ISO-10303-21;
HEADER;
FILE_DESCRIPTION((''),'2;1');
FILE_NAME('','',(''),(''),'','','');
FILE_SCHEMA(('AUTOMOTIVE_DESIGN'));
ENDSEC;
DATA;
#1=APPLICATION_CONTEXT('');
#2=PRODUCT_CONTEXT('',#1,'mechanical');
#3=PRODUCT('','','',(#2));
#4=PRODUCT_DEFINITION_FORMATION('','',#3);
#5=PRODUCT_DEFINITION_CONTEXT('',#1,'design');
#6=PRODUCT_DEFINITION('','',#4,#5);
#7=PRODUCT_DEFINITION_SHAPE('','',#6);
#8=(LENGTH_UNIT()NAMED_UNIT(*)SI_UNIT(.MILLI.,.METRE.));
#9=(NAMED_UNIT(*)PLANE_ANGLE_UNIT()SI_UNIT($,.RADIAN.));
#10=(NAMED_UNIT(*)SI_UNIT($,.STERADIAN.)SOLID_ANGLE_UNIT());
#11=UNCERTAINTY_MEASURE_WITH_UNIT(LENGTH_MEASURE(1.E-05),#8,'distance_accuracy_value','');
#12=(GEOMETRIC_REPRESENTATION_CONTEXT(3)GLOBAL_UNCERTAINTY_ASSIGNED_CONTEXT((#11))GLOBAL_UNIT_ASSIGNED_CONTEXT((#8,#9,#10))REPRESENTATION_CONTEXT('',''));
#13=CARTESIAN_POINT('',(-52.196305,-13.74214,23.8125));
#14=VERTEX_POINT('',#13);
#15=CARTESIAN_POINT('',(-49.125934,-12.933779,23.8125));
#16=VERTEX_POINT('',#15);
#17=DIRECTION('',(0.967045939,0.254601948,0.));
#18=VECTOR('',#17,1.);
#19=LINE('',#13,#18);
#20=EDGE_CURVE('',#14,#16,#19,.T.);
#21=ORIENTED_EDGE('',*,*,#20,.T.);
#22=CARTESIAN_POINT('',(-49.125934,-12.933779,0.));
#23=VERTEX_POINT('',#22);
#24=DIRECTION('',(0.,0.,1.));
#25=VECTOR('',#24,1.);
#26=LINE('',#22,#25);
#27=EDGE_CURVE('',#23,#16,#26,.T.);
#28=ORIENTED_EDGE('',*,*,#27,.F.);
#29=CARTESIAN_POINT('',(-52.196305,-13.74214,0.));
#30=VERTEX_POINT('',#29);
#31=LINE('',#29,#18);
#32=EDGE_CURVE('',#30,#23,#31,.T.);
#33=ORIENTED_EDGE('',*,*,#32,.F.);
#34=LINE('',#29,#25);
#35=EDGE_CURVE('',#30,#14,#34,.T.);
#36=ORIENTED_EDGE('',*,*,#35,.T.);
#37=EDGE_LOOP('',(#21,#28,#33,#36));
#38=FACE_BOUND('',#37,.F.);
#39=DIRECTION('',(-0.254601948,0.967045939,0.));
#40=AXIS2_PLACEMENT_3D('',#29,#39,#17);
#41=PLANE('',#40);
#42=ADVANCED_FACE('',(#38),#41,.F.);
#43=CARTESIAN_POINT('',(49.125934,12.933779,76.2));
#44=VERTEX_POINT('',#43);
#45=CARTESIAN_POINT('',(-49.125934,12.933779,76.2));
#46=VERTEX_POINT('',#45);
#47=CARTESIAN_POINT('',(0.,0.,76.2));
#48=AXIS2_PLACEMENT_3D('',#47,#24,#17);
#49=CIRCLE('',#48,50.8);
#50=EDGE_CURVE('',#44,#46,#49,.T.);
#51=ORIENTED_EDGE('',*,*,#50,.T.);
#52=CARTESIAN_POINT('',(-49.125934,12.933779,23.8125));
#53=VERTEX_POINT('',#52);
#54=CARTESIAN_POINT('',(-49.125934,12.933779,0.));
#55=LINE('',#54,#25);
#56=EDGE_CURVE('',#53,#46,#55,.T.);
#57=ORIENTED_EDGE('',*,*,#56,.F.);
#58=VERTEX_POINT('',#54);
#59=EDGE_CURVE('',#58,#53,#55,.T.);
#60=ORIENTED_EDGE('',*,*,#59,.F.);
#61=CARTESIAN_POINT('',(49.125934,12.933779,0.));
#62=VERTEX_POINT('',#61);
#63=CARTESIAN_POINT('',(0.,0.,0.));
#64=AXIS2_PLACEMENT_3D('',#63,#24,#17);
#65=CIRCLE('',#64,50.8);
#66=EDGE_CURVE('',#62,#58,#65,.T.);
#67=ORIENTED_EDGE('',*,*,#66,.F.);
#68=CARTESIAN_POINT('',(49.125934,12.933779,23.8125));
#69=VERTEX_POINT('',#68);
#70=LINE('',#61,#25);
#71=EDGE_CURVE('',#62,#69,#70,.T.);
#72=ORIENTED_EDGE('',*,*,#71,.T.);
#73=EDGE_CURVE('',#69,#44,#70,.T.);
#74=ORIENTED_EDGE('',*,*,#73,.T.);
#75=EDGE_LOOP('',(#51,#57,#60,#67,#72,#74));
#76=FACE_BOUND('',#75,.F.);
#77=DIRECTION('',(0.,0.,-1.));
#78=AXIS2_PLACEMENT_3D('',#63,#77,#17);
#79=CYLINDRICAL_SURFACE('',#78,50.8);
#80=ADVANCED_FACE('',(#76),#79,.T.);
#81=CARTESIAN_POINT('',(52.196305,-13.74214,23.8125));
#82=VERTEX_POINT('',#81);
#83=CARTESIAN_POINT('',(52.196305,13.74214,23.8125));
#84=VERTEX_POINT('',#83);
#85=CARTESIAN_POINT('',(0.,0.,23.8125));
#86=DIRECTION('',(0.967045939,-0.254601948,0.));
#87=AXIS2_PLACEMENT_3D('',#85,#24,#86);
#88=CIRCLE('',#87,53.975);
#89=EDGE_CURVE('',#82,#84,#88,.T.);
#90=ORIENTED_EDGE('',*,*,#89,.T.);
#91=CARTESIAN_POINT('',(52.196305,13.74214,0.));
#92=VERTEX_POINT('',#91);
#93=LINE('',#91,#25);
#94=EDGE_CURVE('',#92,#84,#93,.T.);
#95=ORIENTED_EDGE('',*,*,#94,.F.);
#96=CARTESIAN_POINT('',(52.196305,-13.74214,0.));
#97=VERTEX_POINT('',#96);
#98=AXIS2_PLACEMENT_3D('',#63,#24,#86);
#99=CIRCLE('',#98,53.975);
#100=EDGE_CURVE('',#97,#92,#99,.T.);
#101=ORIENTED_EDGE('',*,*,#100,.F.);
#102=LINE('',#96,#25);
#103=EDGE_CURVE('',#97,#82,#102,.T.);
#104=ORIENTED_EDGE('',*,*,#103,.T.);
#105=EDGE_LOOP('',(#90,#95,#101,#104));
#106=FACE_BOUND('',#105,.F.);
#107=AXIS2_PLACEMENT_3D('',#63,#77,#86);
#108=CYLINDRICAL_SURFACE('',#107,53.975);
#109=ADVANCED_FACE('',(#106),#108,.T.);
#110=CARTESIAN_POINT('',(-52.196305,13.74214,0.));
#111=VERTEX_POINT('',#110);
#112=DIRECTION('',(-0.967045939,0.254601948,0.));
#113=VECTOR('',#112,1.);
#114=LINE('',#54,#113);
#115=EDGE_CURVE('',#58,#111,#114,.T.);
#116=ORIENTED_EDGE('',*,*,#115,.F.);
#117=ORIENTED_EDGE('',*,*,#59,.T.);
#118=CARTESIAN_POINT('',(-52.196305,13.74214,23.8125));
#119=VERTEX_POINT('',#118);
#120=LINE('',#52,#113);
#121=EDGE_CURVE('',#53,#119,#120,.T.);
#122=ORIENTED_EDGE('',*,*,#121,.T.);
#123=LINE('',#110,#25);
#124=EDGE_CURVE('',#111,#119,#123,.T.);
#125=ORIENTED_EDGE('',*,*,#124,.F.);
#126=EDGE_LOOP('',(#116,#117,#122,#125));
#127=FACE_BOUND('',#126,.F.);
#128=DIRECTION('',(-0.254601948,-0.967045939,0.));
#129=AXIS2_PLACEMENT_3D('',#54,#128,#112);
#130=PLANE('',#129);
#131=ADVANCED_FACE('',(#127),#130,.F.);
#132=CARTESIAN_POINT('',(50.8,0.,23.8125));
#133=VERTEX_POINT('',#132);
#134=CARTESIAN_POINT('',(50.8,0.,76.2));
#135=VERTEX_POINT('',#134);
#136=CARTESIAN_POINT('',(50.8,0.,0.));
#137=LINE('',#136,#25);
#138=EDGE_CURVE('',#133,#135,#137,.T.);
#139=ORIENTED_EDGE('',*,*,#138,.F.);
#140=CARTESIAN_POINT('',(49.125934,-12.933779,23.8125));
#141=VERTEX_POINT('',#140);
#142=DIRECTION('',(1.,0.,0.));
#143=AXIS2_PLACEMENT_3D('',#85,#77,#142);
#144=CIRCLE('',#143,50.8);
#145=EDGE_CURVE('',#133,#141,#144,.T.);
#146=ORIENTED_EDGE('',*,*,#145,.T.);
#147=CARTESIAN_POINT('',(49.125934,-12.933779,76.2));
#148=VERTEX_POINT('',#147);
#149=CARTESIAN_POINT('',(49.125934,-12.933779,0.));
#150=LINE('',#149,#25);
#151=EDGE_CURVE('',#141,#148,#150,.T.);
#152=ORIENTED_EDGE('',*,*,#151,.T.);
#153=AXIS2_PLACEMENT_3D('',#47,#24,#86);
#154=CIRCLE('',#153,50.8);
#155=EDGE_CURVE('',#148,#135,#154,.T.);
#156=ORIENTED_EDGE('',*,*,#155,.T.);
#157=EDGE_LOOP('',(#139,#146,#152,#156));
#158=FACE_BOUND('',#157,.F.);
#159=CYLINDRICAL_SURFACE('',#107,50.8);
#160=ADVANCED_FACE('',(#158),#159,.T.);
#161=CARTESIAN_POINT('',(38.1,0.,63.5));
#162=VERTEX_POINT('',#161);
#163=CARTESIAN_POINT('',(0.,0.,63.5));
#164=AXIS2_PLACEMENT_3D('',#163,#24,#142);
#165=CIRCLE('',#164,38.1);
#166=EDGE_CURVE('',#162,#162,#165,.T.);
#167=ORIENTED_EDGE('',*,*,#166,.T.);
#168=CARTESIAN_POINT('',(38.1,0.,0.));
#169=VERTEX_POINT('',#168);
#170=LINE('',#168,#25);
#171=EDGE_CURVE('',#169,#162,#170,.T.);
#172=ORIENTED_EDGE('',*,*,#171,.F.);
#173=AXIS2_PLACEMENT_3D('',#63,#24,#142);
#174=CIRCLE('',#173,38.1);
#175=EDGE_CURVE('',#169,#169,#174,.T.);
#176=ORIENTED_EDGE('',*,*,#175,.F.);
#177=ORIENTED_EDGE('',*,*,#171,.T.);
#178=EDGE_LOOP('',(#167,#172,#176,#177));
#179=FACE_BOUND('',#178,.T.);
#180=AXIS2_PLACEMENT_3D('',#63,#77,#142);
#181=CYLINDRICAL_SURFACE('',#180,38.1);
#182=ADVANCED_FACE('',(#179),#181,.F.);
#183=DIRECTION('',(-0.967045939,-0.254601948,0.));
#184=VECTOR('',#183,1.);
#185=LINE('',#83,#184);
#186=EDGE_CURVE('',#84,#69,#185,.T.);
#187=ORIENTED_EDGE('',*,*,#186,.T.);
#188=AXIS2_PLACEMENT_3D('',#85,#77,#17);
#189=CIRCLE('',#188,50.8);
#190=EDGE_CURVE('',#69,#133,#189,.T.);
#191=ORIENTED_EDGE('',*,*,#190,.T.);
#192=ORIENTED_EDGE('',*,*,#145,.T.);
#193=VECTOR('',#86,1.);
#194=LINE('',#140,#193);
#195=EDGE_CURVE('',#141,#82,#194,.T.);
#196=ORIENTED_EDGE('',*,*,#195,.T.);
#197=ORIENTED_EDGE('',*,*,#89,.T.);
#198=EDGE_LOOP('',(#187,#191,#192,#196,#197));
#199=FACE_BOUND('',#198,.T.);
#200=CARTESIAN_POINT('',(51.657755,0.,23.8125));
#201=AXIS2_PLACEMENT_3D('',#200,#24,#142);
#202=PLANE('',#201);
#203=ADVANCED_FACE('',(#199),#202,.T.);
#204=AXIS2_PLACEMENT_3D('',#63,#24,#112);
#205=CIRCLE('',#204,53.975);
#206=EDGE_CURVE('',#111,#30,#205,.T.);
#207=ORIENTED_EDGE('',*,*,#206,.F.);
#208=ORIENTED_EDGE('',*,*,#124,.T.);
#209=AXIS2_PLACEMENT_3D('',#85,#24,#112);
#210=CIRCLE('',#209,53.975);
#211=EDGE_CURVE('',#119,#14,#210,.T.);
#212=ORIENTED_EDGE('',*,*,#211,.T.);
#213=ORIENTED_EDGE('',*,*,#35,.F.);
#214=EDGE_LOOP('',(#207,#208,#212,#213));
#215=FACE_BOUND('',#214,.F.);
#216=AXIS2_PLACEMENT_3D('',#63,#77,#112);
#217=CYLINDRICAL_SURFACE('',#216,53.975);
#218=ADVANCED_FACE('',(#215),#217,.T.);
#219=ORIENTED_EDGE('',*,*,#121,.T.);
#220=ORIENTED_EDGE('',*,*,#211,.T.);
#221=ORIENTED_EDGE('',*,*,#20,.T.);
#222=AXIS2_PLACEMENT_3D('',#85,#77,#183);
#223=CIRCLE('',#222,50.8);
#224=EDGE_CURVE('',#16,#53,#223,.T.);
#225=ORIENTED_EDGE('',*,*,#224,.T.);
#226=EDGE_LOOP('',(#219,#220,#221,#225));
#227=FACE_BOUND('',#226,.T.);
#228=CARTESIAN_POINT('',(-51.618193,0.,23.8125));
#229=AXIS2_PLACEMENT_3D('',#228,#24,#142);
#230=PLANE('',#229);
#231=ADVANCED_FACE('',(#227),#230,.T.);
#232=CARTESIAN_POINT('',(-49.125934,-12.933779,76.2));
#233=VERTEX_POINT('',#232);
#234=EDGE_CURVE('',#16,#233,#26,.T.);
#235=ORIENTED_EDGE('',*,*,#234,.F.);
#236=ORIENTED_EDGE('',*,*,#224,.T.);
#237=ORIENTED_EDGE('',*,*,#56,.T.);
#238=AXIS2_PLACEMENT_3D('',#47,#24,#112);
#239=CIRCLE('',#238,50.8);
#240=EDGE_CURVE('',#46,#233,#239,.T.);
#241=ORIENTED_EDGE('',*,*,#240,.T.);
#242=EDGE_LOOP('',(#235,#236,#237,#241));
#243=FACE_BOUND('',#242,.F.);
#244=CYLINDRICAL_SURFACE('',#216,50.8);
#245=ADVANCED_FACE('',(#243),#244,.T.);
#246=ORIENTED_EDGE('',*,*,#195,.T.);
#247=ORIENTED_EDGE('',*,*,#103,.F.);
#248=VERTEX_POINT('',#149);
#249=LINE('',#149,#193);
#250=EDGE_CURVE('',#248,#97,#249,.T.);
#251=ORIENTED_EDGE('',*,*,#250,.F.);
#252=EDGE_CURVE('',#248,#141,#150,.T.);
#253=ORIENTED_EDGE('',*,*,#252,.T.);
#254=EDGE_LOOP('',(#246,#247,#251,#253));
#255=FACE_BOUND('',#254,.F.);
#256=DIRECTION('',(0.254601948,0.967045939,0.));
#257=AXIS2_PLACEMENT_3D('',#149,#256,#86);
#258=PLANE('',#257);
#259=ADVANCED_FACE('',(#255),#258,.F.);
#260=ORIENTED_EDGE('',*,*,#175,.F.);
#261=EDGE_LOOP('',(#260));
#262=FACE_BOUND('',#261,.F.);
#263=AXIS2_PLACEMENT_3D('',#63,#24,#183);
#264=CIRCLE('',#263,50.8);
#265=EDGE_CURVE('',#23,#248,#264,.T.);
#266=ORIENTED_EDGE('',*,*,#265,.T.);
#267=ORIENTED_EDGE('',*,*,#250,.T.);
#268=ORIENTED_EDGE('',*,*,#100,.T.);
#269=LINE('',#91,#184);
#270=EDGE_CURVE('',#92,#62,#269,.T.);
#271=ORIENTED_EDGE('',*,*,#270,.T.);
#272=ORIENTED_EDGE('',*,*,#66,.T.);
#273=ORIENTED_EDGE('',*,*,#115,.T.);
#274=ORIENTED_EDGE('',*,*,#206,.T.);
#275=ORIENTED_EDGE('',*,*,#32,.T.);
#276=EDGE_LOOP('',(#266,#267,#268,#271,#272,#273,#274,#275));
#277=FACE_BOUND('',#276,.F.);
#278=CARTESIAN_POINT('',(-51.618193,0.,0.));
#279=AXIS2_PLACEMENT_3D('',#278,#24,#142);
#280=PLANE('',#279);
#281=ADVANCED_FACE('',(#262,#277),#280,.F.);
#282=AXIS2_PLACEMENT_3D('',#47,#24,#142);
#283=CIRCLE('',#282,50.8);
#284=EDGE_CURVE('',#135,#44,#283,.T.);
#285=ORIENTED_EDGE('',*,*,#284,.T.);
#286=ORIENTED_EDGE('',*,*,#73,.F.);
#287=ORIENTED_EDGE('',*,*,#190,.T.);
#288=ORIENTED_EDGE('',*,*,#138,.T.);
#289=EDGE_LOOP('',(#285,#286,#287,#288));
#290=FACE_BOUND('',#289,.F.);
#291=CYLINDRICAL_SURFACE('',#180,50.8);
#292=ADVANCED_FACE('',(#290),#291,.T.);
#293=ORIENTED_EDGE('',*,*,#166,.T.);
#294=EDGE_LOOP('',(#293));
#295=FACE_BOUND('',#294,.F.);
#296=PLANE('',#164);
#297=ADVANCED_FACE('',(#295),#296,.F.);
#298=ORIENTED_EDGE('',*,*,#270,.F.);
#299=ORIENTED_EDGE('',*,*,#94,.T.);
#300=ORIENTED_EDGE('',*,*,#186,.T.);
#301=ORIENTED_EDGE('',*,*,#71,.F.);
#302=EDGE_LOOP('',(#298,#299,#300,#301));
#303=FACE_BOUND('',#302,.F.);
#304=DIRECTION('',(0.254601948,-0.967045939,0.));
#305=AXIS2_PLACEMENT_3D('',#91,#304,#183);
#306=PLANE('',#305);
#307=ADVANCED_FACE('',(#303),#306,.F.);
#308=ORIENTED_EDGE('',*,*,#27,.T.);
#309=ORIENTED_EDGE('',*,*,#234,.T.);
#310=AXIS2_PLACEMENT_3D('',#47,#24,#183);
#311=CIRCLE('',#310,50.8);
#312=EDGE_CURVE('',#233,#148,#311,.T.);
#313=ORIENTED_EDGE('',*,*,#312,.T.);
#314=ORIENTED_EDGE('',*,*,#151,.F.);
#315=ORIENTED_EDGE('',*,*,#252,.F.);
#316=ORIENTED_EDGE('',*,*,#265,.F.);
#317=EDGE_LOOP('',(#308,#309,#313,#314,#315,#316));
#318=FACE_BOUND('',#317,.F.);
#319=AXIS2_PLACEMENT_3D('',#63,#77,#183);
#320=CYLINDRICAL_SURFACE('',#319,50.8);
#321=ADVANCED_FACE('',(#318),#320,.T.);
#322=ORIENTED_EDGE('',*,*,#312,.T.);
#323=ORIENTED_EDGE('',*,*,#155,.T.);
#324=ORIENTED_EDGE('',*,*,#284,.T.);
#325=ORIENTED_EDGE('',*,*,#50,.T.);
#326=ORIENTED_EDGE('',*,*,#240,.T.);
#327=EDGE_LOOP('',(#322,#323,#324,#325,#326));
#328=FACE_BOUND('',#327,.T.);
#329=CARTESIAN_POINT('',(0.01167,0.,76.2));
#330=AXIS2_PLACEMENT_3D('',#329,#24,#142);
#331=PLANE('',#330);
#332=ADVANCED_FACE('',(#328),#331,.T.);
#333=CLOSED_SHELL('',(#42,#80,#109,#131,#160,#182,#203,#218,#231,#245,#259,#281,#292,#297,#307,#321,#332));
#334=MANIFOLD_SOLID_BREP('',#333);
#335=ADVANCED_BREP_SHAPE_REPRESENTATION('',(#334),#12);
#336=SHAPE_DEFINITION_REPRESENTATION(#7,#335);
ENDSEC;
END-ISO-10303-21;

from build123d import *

# Parameters (mm, degrees)
F0_R     = 38.1
F1_DEPTH = 76.2
F2_DEPTH = 23.8125
F3_DEPTH = 63.5


with BuildPart() as f1:
    # F0 (on Top) → F1 (new body)
    with BuildSketch(Plane.XY):
        with BuildLine():
            ThreePointArc((49.1259336968, -12.9337789688), (50.3797450956, -6.5208346169), (50.8, 0))
            ThreePointArc((50.8, 0), (50.3797450956, 6.5208346169), (49.1259336968, 12.9337789688))
            ThreePointArc((49.1259336968, 12.9337789688), (0, 50.8), (-49.1259336968, 12.9337789688))
            ThreePointArc((-49.1259336968, 12.9337789688), (-50.8, 0), (-49.1259336968, -12.9337789688))
            ThreePointArc((-49.1259336968, -12.9337789688), (0, -50.8), (49.1259336968, -12.9337789688))
        make_face()
        Circle(F0_R, mode=Mode.SUBTRACT)
        Circle(F0_R)
    extrude(amount=F1_DEPTH)

    # F0 (on Top) → F2 (join)
    with BuildSketch(Plane.XY):
        with BuildLine():
            ThreePointArc((-49.1259336968, -12.9337789688), (-50.8, 0), (-49.1259336968, 12.9337789688))
            Line((-49.1259336968, 12.9337789688), (-52.1963045529, 13.7421401544))
            ThreePointArc((-52.1963045529, 13.7421401544), (-53.975, 0), (-52.1963045529, -13.7421401544))
            Line((-52.1963045529, -13.7421401544), (-49.1259336968, -12.9337789688))
        make_face()
        with BuildLine():
            ThreePointArc((49.1259336968, 12.9337789688), (50.3797450956, 6.5208346169), (50.8, 0))
            ThreePointArc((50.8, 0), (50.3797450956, -6.5208346169), (49.1259336968, -12.9337789688))
            Line((49.1259336968, -12.9337789688), (52.1963045529, -13.7421401544))
            ThreePointArc((52.1963045529, -13.7421401544), (53.975, 0), (52.1963045529, 13.7421401544))
            Line((52.1963045529, 13.7421401544), (49.1259336968, 12.9337789688))
        make_face()
    extrude(amount=F2_DEPTH)

    # F0 (on Top) → F3 (cut)
    with BuildSketch(Plane.XY):
        Circle(F0_R)
    extrude(amount=F3_DEPTH, mode=Mode.SUBTRACT)


solid = f1.part
